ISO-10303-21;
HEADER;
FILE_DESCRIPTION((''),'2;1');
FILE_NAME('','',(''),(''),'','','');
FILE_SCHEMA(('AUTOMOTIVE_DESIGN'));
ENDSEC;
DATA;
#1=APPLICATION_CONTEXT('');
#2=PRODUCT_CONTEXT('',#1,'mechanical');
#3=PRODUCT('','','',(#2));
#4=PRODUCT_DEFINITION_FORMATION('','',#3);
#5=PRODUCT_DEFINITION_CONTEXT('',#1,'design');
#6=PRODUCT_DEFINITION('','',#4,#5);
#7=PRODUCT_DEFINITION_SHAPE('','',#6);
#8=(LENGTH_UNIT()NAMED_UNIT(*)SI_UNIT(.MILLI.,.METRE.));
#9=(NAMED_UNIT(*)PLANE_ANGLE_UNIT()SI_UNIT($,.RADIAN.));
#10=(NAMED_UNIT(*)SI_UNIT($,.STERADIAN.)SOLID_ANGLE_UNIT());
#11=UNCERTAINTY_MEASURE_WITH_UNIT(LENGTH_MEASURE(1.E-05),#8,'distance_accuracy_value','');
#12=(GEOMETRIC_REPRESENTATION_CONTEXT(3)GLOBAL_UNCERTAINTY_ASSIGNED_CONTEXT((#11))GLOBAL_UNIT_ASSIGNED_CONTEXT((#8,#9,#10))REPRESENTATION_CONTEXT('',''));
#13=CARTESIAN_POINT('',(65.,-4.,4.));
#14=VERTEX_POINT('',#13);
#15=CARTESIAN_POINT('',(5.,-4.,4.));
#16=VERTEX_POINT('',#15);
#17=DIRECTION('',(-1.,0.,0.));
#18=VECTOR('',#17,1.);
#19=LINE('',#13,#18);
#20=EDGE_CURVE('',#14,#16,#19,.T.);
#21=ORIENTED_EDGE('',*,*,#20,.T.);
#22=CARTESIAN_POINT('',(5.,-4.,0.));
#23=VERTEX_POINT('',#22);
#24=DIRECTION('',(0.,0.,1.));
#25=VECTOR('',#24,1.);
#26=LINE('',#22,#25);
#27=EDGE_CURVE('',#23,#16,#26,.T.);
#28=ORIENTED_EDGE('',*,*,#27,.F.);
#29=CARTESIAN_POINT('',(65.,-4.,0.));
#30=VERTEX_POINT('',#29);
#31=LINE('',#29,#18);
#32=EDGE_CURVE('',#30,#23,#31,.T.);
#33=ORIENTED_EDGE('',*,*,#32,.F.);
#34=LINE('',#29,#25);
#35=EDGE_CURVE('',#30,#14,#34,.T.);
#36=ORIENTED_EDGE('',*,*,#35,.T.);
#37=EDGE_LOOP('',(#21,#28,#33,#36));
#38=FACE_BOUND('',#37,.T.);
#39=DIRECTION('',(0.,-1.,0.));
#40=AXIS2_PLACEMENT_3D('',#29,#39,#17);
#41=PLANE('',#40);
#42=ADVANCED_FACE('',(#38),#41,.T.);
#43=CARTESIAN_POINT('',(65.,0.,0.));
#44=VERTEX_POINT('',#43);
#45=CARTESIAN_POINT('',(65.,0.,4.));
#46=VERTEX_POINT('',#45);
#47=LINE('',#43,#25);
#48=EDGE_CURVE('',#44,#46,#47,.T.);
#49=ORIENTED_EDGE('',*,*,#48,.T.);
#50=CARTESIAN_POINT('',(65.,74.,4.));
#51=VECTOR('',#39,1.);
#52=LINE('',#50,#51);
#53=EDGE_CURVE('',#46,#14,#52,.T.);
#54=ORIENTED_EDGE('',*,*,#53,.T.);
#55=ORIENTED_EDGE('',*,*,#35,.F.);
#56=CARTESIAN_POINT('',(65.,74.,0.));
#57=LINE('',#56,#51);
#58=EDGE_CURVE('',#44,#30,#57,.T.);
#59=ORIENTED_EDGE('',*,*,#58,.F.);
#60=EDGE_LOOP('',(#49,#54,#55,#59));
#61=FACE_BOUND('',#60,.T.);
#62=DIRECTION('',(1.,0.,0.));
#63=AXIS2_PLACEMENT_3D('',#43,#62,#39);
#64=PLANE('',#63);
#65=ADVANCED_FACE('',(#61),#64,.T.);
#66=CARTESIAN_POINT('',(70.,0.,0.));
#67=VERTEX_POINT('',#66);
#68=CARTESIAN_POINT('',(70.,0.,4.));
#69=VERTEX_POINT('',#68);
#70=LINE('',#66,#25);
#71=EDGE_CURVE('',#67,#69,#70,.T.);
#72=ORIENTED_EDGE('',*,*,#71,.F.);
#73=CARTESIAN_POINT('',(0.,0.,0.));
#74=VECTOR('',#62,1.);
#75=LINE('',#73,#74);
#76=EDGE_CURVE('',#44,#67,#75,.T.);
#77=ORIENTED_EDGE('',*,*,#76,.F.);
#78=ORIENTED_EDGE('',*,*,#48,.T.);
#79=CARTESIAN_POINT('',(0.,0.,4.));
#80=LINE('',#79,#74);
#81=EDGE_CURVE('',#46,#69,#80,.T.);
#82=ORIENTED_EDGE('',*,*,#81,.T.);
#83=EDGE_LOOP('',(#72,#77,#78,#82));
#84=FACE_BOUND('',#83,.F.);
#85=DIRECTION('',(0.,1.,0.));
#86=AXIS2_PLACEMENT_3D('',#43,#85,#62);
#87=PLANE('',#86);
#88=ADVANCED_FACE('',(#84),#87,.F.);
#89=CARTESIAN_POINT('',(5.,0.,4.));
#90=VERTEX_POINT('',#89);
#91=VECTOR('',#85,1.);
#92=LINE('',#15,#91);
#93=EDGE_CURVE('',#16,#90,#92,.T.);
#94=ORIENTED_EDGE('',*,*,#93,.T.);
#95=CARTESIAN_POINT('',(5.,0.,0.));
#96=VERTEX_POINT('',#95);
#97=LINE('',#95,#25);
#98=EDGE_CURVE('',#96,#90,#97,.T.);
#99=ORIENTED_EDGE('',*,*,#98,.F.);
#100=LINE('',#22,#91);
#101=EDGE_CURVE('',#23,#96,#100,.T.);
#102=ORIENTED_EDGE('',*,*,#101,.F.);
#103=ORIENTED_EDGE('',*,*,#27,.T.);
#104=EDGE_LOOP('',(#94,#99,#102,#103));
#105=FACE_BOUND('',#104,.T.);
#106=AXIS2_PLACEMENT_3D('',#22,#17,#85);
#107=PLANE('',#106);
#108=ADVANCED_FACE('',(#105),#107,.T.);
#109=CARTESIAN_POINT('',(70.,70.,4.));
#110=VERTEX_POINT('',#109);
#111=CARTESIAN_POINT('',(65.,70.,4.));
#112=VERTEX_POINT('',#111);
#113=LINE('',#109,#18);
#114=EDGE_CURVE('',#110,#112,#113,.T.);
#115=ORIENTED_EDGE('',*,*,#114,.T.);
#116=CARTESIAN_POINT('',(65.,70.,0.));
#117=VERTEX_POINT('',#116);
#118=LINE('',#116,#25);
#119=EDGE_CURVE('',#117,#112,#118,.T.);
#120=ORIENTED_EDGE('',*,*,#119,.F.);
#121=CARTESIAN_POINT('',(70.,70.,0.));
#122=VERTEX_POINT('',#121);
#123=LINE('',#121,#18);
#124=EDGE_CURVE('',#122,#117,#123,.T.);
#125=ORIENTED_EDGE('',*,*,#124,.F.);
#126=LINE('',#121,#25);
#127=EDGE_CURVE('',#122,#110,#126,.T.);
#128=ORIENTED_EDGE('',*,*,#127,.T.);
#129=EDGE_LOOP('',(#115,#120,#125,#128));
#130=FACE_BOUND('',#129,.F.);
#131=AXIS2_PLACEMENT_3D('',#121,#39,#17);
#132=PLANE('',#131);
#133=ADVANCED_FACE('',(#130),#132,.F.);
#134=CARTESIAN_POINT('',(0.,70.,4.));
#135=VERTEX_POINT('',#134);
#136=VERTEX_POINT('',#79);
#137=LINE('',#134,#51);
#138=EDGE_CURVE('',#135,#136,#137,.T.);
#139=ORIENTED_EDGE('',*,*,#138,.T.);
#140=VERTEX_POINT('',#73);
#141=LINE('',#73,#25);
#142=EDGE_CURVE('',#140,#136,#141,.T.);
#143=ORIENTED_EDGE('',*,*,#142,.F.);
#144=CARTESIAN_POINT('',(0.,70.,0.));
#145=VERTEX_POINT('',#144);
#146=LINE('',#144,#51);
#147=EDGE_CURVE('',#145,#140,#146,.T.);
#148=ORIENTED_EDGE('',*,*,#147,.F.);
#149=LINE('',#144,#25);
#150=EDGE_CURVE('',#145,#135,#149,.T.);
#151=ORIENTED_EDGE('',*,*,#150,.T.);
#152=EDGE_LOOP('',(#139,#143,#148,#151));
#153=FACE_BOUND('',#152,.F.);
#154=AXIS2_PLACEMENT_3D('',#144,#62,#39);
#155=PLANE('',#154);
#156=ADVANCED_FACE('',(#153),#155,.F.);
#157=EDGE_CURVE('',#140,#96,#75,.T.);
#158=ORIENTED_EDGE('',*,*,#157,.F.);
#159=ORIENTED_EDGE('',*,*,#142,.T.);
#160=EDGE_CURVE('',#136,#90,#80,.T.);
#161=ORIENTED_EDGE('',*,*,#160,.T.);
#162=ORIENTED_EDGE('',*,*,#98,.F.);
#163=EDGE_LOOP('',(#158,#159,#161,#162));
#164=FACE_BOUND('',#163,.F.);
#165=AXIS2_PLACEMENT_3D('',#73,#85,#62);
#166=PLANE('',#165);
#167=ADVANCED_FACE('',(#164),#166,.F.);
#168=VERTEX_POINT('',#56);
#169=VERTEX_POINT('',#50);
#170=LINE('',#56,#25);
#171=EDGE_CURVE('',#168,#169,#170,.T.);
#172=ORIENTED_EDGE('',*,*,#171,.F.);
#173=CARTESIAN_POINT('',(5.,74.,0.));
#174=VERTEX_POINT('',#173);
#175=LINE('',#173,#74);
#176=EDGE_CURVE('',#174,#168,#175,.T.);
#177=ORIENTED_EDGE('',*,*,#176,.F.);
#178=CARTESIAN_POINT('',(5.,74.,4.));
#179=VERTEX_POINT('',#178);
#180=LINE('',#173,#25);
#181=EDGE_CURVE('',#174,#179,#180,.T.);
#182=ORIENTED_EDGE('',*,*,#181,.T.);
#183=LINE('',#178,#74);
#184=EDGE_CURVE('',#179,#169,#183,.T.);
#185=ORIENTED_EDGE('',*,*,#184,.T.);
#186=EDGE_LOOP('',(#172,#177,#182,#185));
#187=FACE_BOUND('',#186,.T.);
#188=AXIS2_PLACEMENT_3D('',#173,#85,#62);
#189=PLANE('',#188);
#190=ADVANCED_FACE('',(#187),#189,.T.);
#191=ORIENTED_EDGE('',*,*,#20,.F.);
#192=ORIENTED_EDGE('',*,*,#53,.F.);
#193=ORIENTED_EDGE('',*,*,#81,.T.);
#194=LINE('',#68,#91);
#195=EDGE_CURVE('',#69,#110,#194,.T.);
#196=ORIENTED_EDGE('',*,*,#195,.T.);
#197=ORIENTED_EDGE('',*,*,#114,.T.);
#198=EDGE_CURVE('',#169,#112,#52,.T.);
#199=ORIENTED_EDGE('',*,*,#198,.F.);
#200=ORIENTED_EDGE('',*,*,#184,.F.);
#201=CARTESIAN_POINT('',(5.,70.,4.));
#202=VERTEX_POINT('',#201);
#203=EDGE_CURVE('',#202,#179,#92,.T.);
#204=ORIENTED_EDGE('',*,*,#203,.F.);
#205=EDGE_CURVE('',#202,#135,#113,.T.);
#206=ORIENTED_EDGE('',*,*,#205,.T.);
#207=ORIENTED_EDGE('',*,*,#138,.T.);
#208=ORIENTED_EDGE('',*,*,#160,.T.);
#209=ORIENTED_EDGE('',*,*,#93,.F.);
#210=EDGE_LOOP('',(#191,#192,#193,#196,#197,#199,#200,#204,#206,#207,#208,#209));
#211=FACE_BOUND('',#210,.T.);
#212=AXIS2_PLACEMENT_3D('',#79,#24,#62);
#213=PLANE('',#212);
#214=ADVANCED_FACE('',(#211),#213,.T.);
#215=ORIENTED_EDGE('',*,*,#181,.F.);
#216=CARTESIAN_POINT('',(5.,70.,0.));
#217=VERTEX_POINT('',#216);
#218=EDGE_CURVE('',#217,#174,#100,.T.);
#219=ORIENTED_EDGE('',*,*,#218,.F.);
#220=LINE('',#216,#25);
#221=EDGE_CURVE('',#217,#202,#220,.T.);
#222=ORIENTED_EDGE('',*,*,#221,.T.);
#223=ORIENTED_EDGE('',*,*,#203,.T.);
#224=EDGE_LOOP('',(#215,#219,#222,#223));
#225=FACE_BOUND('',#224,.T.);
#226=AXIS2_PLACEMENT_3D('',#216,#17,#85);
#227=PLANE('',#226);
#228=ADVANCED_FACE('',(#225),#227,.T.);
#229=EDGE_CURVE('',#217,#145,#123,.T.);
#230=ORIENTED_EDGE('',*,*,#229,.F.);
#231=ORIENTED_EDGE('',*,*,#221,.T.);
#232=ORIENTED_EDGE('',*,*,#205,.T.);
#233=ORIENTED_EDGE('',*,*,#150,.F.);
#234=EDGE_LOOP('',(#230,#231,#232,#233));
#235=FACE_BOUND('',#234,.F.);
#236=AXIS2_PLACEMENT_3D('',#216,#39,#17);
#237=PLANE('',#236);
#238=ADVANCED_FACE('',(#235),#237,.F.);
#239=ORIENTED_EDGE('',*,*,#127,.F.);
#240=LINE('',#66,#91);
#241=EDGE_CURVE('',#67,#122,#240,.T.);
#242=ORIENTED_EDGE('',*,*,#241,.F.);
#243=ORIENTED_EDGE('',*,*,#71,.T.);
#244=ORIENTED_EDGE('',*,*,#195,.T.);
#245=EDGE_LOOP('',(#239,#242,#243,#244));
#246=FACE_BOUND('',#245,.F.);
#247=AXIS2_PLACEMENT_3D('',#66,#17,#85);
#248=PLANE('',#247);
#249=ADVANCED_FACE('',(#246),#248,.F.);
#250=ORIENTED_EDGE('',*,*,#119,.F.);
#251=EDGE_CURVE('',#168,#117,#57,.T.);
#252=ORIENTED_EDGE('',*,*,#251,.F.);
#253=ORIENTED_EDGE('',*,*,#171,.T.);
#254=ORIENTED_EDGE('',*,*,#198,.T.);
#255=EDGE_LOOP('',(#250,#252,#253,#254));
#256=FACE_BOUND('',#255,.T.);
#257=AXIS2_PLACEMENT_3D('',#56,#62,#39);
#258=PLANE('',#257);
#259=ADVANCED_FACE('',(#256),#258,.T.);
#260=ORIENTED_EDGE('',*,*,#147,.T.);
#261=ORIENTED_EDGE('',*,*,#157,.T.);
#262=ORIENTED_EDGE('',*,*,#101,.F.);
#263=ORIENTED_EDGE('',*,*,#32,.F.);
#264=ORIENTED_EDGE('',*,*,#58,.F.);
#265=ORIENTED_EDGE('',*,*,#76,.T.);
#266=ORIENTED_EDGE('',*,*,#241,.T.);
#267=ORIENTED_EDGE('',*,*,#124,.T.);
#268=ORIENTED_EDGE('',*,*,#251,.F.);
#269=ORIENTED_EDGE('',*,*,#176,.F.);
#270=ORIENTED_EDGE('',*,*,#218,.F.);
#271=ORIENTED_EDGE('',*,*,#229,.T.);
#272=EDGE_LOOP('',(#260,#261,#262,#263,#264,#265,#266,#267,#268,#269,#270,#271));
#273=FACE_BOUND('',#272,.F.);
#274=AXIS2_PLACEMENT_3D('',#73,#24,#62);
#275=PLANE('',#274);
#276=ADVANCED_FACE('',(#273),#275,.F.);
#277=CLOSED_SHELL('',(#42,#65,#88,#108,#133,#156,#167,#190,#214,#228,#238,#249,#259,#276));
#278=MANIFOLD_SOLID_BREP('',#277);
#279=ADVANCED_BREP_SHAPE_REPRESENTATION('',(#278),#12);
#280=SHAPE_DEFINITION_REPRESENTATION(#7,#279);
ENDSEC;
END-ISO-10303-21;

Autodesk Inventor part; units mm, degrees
ref_plane "YZ Plane" through (0, 0, 0) normal (1, 0, 0) x (0, 1, 0)
ref_plane "XZ Plane" through (0, 0, 0) normal (0, 1, 0) x (-1, 0, 0)
ref_plane "XY Plane" through (0, 0, 0) normal (0, 0, 1) x (1, 0, 0)
sketch "Sketch1" plane through (0, 0, 0) normal (0, 0, 1) x (1, 0, 0)
  line L0 (0, 0) -> (70, 0)
  line L1 (70, 0) -> (70, 70)
  line L2 (70, 70) -> (0, 70)
  line L3 (0, 70) -> (0, 0)
  line L4 (5, 74) -> (65, 74)
  line L5 (65, 74) -> (65, -4)
  line L6 (65, -4) -> (5, -4)
  line L7 (5, -4) -> (5, 74)
  line L8 (31, 41.5) -> (39, 41.5)
  line L9 (39, 41.5) -> (39, 28.5)
  line L10 (39, 28.5) -> (31, 28.5)
  line L11 (31, 28.5) -> (31, 41.5)
  point P0 (5, 0)
  point P1 (65, 0)
  point P2 (65, 70)
  point P3 (5, 70)
  dimension "d0" = 70
  dimension "d1" = 70
  dimension "d2" = 4
  dimension "d3" = 5
  dimension "d4" = 5
  dimension "d5" = 4
  dimension "d6" = 13
  dimension "d7" = 8
  dimension "d8" = 26
  dimension "d9" = 28.5
extrude "Extrusion1" add sketch "Sketch1" along normal blind 4
extrude "Extrusion2" add sketch "Sketch1" along normal blind 4 contours L8 L9 L10 L11
properties part number "Tussen60_8AUG"
